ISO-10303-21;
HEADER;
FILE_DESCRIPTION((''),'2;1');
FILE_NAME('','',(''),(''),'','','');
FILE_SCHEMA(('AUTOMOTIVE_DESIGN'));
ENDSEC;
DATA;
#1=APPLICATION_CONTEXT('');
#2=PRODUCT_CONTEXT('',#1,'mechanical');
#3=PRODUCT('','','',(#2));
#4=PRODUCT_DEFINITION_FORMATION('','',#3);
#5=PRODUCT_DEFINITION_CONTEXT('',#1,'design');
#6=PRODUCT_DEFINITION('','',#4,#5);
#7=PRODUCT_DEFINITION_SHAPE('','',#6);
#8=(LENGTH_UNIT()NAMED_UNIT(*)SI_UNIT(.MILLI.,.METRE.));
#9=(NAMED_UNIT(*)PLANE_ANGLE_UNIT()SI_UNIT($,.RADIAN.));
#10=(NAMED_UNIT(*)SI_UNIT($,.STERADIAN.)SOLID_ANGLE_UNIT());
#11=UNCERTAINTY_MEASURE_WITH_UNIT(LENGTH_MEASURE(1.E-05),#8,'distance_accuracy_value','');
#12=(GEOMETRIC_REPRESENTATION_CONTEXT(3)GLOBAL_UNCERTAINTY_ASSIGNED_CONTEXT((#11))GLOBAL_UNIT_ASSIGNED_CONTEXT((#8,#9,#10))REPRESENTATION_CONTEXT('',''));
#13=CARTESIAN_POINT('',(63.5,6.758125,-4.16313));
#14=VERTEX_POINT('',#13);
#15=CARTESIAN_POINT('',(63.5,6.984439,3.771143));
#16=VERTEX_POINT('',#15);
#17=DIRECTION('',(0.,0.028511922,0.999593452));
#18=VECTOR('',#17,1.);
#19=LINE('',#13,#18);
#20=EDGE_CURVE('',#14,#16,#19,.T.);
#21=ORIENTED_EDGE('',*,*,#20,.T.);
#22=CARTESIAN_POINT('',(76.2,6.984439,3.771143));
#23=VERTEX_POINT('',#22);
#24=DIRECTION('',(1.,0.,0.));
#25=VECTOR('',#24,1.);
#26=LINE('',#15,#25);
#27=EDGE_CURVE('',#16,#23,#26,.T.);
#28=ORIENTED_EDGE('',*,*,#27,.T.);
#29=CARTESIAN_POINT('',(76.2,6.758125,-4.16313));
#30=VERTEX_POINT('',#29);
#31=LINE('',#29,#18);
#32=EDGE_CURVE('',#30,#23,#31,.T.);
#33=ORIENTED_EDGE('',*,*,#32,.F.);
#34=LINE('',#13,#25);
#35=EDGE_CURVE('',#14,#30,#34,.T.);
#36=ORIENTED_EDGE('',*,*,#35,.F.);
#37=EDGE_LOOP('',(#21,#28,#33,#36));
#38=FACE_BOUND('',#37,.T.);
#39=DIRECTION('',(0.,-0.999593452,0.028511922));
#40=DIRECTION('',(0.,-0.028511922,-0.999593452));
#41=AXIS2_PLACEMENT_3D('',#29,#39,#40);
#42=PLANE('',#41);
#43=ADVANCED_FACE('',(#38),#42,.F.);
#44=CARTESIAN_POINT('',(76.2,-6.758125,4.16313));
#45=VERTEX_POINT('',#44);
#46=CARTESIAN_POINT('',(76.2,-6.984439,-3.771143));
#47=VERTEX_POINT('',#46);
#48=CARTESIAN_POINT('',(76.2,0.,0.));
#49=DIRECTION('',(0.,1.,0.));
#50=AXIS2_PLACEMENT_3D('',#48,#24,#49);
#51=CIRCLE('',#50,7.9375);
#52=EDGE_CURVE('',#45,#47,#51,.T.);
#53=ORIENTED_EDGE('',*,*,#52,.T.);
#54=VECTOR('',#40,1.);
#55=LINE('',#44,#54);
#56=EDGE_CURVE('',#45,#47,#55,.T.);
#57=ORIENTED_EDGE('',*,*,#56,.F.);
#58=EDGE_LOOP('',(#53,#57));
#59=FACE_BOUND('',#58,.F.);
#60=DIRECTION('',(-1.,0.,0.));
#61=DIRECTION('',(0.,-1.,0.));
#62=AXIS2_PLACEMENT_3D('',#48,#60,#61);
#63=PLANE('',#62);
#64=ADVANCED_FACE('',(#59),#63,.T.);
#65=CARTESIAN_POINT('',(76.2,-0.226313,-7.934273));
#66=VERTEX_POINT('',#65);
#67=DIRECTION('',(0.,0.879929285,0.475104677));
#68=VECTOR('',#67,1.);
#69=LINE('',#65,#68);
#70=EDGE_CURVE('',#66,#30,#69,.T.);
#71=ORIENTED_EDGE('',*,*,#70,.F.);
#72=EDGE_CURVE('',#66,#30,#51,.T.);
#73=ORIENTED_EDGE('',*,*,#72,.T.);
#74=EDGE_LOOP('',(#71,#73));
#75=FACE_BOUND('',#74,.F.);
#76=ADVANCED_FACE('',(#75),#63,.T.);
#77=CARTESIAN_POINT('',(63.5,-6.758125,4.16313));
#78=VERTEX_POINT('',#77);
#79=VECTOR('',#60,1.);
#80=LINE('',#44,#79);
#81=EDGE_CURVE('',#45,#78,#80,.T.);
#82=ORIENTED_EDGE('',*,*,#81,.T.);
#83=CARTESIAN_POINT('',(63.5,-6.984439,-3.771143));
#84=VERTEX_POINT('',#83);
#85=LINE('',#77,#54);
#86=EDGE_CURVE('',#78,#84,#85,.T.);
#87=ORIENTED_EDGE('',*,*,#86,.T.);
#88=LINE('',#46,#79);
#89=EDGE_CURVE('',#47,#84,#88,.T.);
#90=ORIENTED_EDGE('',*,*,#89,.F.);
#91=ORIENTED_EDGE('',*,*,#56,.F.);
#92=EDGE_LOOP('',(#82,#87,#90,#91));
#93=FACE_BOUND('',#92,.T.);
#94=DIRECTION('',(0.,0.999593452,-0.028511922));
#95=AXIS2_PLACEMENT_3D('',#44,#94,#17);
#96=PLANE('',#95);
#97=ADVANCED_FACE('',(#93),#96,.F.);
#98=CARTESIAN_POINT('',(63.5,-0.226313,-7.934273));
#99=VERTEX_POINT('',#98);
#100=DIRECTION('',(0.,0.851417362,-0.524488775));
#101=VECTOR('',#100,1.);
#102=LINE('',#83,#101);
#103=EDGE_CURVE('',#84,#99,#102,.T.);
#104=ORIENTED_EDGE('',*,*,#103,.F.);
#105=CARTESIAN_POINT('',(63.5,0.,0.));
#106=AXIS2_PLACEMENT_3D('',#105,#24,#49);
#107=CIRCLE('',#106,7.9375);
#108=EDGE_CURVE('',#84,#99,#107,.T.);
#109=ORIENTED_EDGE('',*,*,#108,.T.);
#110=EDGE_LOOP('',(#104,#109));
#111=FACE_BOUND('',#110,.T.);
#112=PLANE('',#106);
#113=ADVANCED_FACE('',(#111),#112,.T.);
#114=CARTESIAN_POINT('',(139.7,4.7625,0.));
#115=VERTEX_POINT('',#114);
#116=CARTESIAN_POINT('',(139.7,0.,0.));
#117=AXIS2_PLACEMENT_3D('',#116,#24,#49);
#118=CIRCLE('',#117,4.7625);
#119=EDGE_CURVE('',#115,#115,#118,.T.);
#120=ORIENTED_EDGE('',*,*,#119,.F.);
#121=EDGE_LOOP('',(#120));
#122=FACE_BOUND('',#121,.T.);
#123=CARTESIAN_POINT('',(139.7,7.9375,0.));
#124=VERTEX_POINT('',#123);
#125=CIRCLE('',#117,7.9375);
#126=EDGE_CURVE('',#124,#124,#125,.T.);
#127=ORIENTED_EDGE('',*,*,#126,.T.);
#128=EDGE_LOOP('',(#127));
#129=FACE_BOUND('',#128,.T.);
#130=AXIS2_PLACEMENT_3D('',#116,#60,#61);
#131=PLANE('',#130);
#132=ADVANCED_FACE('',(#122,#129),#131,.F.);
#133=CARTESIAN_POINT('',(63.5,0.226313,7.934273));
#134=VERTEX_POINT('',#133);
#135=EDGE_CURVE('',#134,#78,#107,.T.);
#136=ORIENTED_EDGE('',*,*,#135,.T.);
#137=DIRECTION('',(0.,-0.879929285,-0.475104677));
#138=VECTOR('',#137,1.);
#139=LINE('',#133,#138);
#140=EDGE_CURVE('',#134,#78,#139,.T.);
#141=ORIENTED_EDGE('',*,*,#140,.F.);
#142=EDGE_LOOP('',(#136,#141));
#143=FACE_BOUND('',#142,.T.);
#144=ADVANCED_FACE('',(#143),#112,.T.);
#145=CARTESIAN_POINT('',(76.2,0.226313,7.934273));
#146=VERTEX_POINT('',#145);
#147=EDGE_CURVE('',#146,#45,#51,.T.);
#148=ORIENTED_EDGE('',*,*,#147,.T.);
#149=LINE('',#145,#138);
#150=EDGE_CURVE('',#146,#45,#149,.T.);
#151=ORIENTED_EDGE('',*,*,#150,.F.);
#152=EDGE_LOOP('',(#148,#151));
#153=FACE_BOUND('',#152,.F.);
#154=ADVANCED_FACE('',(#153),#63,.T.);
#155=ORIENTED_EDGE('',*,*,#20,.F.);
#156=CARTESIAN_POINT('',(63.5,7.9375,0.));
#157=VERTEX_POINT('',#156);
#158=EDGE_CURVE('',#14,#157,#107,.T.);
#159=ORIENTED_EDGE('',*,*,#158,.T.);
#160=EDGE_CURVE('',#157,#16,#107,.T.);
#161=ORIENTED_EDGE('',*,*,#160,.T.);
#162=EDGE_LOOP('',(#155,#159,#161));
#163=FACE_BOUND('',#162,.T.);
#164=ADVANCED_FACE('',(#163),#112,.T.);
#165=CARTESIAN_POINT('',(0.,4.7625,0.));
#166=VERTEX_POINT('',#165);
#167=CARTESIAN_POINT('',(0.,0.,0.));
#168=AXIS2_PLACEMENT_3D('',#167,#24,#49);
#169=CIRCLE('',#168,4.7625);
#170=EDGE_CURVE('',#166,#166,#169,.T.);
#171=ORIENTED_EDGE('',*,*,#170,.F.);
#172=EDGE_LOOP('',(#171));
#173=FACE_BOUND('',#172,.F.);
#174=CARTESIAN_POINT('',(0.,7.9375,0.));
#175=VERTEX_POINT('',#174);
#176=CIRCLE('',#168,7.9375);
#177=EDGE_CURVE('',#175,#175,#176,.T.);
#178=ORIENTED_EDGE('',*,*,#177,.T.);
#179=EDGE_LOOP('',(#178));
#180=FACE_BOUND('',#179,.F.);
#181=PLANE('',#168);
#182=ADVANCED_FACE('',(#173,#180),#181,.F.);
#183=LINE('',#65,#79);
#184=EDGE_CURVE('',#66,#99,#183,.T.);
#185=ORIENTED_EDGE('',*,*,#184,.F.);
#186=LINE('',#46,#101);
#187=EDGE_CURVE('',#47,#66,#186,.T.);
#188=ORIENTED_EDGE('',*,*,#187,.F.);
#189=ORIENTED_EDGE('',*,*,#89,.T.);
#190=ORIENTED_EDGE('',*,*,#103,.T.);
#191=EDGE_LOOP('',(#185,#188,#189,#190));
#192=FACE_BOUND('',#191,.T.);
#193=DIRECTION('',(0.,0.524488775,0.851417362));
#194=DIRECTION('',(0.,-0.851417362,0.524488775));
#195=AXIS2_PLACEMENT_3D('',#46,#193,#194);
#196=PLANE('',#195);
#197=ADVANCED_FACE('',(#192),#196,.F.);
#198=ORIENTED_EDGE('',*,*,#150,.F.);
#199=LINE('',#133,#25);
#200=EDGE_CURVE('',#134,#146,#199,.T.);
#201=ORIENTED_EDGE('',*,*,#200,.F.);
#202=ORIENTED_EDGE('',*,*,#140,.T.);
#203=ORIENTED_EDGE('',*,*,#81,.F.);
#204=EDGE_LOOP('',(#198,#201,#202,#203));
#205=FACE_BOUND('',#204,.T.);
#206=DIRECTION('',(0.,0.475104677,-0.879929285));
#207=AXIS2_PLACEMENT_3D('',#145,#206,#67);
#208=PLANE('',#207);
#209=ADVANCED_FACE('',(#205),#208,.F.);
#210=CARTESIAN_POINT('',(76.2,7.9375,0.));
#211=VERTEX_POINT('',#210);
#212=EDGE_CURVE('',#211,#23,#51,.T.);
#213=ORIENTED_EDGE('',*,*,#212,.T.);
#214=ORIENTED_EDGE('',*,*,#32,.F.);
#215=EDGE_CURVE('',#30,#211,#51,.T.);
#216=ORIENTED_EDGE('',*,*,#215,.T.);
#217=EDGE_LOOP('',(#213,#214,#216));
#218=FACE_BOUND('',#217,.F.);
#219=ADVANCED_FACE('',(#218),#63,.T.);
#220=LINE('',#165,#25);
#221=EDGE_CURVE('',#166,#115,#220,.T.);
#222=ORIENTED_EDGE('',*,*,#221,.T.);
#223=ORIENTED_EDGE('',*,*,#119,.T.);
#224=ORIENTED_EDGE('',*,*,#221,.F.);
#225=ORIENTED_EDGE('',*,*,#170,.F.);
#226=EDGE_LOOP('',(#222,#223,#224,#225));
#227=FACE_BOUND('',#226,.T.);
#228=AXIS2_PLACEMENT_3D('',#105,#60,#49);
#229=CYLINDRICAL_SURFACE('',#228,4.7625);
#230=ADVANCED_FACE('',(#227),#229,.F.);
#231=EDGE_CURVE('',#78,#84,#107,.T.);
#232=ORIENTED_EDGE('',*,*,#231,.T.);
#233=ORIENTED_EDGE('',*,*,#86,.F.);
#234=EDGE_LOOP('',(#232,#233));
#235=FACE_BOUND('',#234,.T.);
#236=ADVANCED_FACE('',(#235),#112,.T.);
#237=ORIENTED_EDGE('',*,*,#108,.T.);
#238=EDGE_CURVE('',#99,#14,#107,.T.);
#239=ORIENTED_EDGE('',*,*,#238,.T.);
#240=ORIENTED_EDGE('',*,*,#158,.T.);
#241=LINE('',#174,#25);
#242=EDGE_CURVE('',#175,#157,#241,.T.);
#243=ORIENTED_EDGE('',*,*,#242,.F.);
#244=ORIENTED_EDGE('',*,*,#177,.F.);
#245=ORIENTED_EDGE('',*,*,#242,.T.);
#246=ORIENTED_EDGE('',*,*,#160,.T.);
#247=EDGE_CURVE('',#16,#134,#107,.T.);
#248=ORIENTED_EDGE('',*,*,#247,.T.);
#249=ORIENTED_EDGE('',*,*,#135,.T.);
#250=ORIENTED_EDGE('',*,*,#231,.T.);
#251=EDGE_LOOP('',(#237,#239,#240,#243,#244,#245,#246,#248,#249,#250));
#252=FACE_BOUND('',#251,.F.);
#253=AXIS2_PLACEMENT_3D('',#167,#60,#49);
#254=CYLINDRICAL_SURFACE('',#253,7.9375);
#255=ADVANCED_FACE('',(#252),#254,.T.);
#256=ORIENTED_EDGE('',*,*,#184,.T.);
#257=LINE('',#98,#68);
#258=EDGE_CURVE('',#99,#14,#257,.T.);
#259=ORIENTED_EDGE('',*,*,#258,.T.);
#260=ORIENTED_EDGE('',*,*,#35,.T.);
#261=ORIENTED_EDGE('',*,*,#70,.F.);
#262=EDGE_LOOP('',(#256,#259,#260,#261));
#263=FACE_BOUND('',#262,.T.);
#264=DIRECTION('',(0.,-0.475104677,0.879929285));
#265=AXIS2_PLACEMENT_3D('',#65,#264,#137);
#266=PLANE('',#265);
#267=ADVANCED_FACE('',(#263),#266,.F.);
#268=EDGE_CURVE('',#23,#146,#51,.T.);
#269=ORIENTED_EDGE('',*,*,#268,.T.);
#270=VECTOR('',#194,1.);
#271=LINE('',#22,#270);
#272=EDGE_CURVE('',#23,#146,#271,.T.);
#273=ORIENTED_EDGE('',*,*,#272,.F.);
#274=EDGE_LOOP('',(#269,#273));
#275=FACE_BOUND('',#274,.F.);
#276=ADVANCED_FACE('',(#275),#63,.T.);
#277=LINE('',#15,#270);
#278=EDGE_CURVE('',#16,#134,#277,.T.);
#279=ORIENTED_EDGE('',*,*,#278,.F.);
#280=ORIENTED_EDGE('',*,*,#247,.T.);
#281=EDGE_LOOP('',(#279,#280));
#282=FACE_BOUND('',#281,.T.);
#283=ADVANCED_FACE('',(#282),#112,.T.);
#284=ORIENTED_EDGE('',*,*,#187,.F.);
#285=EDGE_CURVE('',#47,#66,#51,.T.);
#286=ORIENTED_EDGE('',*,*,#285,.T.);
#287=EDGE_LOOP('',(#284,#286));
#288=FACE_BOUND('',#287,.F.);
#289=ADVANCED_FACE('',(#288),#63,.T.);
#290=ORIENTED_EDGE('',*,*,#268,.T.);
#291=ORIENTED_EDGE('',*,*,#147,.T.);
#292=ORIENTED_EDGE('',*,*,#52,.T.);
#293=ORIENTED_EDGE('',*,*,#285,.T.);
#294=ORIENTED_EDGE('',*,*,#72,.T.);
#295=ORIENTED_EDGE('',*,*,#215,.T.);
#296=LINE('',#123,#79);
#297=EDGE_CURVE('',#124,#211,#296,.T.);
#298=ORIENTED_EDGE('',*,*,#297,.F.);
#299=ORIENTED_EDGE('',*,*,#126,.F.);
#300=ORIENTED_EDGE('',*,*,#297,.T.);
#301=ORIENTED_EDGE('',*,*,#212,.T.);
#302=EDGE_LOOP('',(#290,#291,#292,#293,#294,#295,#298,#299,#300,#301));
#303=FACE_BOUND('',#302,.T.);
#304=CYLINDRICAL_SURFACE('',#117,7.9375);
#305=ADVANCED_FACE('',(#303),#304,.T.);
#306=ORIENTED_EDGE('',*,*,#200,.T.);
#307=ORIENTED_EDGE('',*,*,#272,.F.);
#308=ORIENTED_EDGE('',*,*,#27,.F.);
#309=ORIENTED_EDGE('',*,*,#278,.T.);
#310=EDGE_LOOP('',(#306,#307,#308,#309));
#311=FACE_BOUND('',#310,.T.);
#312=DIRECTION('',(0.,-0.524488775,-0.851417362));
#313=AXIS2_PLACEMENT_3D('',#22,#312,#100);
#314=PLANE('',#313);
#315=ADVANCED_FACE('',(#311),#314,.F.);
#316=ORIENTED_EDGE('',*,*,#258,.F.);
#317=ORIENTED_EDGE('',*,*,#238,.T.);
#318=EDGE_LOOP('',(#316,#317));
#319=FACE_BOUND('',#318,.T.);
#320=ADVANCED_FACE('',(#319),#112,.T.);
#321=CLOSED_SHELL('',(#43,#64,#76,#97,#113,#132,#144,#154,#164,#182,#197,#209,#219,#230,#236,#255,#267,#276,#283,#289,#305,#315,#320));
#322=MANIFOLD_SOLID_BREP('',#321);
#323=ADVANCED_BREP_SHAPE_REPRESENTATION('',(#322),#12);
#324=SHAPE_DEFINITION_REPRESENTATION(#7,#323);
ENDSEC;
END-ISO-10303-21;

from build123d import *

# Parameters (mm, degrees)
F0_R     = 15.875
F0_R_2   = 9.525
F1_DEPTH = 127
F2_R     = 9.525
F3_DEPTH = 12.7
F5_SCALE = 0.5


with BuildPart() as f1:
    # F0 (on Right) → F1 (new body)
    with BuildSketch(Plane.YZ):
        Circle(F0_R)
        Circle(F0_R_2, mode=Mode.SUBTRACT)
    extrude(amount=F1_DEPTH)

    # F2 (on face) → F3 (join)
    with BuildSketch(Plane.YZ.offset(127)):
        Polygon((-0.4526267682, -15.8685460584), (13.5162506236, -8.3262593089), (13.9688773918, 7.5422867496), (0.4526267682, 15.8685460584), (-13.5162506236, 8.3262593089), (-13.9688773918, -7.5422867496), align=None)
        Circle(F2_R, mode=Mode.SUBTRACT)
    extrude(amount=F3_DEPTH)

    # F4: F1 across face


with BuildPart() as f1_1:
    add(f1.part)
    add(f1.part.mirror(Plane.YZ.offset(139.7)))


with BuildPart() as f1_2:
    # F5: moved
    add(f1_1.part.scale(F5_SCALE))


solid = f1_2.part
